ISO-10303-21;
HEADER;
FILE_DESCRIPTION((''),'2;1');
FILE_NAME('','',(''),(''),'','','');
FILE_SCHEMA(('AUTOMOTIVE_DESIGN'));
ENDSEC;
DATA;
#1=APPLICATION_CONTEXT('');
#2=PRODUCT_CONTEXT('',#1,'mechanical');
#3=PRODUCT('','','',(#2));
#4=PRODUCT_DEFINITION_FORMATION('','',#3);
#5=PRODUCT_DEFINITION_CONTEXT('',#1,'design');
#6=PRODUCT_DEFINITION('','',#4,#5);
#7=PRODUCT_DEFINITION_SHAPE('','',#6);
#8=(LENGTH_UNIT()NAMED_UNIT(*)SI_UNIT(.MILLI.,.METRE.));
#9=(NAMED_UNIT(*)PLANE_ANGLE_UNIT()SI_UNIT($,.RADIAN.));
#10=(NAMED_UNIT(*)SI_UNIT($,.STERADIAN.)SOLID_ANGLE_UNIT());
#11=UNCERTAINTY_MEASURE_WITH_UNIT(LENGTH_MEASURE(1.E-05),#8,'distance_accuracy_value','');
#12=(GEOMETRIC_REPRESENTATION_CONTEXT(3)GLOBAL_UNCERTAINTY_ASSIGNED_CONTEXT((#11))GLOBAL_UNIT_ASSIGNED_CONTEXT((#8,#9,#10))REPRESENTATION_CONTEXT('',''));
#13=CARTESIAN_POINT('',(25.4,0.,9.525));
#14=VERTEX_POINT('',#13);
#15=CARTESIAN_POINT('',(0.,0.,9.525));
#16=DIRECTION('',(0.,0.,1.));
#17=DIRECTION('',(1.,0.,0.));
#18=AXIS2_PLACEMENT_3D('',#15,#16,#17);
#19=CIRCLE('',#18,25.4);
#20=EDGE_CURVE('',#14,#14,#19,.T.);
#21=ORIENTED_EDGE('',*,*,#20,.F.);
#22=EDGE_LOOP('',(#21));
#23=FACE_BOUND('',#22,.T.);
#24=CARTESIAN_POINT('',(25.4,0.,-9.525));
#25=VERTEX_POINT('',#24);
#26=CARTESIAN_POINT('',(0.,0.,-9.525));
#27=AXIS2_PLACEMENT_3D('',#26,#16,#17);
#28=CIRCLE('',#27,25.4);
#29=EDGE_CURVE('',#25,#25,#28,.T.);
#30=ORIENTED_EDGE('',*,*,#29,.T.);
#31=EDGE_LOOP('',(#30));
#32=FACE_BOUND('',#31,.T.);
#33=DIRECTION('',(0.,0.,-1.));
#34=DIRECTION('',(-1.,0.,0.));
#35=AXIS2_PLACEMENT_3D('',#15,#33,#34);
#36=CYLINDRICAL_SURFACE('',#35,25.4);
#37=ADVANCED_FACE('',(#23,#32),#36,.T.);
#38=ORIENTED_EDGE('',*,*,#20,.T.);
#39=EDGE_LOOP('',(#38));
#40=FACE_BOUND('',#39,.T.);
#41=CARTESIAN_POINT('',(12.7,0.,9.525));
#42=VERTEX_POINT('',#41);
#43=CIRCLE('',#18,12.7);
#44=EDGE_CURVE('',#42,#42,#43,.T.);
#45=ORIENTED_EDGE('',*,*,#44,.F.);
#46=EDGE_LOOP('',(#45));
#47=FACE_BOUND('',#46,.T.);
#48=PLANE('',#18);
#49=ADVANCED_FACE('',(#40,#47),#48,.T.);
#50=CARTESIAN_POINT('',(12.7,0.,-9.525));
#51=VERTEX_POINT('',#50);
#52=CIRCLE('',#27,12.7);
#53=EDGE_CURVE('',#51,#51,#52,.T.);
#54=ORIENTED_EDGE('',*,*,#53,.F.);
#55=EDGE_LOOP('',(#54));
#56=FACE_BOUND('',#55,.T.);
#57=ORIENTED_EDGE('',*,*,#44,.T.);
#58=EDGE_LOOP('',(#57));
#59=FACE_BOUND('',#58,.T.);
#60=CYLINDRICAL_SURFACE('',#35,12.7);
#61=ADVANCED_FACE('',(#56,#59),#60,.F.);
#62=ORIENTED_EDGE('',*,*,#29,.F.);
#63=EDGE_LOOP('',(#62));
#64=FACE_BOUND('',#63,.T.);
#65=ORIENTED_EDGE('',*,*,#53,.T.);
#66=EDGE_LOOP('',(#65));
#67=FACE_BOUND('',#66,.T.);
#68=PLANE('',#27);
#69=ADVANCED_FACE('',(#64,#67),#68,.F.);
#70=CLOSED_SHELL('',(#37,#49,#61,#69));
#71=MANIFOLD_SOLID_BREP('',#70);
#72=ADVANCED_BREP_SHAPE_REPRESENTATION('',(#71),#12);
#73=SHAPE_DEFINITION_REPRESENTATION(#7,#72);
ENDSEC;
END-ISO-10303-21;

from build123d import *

# Parameters (mm, degrees)
SKETCH1_R           = 25.4
SKETCH1_R_2         = 12.7
BOSS_EXTRUDE1_DEPTH = 9.525


with BuildPart() as part:
    # Sketch1 → Boss-Extrude1 (new body, symmetric)
    with BuildSketch(Plane.XY):
        Circle(SKETCH1_R)
        Circle(SKETCH1_R_2, mode=Mode.SUBTRACT)
    extrude(amount=BOSS_EXTRUDE1_DEPTH, both=True)


solid = part.part
